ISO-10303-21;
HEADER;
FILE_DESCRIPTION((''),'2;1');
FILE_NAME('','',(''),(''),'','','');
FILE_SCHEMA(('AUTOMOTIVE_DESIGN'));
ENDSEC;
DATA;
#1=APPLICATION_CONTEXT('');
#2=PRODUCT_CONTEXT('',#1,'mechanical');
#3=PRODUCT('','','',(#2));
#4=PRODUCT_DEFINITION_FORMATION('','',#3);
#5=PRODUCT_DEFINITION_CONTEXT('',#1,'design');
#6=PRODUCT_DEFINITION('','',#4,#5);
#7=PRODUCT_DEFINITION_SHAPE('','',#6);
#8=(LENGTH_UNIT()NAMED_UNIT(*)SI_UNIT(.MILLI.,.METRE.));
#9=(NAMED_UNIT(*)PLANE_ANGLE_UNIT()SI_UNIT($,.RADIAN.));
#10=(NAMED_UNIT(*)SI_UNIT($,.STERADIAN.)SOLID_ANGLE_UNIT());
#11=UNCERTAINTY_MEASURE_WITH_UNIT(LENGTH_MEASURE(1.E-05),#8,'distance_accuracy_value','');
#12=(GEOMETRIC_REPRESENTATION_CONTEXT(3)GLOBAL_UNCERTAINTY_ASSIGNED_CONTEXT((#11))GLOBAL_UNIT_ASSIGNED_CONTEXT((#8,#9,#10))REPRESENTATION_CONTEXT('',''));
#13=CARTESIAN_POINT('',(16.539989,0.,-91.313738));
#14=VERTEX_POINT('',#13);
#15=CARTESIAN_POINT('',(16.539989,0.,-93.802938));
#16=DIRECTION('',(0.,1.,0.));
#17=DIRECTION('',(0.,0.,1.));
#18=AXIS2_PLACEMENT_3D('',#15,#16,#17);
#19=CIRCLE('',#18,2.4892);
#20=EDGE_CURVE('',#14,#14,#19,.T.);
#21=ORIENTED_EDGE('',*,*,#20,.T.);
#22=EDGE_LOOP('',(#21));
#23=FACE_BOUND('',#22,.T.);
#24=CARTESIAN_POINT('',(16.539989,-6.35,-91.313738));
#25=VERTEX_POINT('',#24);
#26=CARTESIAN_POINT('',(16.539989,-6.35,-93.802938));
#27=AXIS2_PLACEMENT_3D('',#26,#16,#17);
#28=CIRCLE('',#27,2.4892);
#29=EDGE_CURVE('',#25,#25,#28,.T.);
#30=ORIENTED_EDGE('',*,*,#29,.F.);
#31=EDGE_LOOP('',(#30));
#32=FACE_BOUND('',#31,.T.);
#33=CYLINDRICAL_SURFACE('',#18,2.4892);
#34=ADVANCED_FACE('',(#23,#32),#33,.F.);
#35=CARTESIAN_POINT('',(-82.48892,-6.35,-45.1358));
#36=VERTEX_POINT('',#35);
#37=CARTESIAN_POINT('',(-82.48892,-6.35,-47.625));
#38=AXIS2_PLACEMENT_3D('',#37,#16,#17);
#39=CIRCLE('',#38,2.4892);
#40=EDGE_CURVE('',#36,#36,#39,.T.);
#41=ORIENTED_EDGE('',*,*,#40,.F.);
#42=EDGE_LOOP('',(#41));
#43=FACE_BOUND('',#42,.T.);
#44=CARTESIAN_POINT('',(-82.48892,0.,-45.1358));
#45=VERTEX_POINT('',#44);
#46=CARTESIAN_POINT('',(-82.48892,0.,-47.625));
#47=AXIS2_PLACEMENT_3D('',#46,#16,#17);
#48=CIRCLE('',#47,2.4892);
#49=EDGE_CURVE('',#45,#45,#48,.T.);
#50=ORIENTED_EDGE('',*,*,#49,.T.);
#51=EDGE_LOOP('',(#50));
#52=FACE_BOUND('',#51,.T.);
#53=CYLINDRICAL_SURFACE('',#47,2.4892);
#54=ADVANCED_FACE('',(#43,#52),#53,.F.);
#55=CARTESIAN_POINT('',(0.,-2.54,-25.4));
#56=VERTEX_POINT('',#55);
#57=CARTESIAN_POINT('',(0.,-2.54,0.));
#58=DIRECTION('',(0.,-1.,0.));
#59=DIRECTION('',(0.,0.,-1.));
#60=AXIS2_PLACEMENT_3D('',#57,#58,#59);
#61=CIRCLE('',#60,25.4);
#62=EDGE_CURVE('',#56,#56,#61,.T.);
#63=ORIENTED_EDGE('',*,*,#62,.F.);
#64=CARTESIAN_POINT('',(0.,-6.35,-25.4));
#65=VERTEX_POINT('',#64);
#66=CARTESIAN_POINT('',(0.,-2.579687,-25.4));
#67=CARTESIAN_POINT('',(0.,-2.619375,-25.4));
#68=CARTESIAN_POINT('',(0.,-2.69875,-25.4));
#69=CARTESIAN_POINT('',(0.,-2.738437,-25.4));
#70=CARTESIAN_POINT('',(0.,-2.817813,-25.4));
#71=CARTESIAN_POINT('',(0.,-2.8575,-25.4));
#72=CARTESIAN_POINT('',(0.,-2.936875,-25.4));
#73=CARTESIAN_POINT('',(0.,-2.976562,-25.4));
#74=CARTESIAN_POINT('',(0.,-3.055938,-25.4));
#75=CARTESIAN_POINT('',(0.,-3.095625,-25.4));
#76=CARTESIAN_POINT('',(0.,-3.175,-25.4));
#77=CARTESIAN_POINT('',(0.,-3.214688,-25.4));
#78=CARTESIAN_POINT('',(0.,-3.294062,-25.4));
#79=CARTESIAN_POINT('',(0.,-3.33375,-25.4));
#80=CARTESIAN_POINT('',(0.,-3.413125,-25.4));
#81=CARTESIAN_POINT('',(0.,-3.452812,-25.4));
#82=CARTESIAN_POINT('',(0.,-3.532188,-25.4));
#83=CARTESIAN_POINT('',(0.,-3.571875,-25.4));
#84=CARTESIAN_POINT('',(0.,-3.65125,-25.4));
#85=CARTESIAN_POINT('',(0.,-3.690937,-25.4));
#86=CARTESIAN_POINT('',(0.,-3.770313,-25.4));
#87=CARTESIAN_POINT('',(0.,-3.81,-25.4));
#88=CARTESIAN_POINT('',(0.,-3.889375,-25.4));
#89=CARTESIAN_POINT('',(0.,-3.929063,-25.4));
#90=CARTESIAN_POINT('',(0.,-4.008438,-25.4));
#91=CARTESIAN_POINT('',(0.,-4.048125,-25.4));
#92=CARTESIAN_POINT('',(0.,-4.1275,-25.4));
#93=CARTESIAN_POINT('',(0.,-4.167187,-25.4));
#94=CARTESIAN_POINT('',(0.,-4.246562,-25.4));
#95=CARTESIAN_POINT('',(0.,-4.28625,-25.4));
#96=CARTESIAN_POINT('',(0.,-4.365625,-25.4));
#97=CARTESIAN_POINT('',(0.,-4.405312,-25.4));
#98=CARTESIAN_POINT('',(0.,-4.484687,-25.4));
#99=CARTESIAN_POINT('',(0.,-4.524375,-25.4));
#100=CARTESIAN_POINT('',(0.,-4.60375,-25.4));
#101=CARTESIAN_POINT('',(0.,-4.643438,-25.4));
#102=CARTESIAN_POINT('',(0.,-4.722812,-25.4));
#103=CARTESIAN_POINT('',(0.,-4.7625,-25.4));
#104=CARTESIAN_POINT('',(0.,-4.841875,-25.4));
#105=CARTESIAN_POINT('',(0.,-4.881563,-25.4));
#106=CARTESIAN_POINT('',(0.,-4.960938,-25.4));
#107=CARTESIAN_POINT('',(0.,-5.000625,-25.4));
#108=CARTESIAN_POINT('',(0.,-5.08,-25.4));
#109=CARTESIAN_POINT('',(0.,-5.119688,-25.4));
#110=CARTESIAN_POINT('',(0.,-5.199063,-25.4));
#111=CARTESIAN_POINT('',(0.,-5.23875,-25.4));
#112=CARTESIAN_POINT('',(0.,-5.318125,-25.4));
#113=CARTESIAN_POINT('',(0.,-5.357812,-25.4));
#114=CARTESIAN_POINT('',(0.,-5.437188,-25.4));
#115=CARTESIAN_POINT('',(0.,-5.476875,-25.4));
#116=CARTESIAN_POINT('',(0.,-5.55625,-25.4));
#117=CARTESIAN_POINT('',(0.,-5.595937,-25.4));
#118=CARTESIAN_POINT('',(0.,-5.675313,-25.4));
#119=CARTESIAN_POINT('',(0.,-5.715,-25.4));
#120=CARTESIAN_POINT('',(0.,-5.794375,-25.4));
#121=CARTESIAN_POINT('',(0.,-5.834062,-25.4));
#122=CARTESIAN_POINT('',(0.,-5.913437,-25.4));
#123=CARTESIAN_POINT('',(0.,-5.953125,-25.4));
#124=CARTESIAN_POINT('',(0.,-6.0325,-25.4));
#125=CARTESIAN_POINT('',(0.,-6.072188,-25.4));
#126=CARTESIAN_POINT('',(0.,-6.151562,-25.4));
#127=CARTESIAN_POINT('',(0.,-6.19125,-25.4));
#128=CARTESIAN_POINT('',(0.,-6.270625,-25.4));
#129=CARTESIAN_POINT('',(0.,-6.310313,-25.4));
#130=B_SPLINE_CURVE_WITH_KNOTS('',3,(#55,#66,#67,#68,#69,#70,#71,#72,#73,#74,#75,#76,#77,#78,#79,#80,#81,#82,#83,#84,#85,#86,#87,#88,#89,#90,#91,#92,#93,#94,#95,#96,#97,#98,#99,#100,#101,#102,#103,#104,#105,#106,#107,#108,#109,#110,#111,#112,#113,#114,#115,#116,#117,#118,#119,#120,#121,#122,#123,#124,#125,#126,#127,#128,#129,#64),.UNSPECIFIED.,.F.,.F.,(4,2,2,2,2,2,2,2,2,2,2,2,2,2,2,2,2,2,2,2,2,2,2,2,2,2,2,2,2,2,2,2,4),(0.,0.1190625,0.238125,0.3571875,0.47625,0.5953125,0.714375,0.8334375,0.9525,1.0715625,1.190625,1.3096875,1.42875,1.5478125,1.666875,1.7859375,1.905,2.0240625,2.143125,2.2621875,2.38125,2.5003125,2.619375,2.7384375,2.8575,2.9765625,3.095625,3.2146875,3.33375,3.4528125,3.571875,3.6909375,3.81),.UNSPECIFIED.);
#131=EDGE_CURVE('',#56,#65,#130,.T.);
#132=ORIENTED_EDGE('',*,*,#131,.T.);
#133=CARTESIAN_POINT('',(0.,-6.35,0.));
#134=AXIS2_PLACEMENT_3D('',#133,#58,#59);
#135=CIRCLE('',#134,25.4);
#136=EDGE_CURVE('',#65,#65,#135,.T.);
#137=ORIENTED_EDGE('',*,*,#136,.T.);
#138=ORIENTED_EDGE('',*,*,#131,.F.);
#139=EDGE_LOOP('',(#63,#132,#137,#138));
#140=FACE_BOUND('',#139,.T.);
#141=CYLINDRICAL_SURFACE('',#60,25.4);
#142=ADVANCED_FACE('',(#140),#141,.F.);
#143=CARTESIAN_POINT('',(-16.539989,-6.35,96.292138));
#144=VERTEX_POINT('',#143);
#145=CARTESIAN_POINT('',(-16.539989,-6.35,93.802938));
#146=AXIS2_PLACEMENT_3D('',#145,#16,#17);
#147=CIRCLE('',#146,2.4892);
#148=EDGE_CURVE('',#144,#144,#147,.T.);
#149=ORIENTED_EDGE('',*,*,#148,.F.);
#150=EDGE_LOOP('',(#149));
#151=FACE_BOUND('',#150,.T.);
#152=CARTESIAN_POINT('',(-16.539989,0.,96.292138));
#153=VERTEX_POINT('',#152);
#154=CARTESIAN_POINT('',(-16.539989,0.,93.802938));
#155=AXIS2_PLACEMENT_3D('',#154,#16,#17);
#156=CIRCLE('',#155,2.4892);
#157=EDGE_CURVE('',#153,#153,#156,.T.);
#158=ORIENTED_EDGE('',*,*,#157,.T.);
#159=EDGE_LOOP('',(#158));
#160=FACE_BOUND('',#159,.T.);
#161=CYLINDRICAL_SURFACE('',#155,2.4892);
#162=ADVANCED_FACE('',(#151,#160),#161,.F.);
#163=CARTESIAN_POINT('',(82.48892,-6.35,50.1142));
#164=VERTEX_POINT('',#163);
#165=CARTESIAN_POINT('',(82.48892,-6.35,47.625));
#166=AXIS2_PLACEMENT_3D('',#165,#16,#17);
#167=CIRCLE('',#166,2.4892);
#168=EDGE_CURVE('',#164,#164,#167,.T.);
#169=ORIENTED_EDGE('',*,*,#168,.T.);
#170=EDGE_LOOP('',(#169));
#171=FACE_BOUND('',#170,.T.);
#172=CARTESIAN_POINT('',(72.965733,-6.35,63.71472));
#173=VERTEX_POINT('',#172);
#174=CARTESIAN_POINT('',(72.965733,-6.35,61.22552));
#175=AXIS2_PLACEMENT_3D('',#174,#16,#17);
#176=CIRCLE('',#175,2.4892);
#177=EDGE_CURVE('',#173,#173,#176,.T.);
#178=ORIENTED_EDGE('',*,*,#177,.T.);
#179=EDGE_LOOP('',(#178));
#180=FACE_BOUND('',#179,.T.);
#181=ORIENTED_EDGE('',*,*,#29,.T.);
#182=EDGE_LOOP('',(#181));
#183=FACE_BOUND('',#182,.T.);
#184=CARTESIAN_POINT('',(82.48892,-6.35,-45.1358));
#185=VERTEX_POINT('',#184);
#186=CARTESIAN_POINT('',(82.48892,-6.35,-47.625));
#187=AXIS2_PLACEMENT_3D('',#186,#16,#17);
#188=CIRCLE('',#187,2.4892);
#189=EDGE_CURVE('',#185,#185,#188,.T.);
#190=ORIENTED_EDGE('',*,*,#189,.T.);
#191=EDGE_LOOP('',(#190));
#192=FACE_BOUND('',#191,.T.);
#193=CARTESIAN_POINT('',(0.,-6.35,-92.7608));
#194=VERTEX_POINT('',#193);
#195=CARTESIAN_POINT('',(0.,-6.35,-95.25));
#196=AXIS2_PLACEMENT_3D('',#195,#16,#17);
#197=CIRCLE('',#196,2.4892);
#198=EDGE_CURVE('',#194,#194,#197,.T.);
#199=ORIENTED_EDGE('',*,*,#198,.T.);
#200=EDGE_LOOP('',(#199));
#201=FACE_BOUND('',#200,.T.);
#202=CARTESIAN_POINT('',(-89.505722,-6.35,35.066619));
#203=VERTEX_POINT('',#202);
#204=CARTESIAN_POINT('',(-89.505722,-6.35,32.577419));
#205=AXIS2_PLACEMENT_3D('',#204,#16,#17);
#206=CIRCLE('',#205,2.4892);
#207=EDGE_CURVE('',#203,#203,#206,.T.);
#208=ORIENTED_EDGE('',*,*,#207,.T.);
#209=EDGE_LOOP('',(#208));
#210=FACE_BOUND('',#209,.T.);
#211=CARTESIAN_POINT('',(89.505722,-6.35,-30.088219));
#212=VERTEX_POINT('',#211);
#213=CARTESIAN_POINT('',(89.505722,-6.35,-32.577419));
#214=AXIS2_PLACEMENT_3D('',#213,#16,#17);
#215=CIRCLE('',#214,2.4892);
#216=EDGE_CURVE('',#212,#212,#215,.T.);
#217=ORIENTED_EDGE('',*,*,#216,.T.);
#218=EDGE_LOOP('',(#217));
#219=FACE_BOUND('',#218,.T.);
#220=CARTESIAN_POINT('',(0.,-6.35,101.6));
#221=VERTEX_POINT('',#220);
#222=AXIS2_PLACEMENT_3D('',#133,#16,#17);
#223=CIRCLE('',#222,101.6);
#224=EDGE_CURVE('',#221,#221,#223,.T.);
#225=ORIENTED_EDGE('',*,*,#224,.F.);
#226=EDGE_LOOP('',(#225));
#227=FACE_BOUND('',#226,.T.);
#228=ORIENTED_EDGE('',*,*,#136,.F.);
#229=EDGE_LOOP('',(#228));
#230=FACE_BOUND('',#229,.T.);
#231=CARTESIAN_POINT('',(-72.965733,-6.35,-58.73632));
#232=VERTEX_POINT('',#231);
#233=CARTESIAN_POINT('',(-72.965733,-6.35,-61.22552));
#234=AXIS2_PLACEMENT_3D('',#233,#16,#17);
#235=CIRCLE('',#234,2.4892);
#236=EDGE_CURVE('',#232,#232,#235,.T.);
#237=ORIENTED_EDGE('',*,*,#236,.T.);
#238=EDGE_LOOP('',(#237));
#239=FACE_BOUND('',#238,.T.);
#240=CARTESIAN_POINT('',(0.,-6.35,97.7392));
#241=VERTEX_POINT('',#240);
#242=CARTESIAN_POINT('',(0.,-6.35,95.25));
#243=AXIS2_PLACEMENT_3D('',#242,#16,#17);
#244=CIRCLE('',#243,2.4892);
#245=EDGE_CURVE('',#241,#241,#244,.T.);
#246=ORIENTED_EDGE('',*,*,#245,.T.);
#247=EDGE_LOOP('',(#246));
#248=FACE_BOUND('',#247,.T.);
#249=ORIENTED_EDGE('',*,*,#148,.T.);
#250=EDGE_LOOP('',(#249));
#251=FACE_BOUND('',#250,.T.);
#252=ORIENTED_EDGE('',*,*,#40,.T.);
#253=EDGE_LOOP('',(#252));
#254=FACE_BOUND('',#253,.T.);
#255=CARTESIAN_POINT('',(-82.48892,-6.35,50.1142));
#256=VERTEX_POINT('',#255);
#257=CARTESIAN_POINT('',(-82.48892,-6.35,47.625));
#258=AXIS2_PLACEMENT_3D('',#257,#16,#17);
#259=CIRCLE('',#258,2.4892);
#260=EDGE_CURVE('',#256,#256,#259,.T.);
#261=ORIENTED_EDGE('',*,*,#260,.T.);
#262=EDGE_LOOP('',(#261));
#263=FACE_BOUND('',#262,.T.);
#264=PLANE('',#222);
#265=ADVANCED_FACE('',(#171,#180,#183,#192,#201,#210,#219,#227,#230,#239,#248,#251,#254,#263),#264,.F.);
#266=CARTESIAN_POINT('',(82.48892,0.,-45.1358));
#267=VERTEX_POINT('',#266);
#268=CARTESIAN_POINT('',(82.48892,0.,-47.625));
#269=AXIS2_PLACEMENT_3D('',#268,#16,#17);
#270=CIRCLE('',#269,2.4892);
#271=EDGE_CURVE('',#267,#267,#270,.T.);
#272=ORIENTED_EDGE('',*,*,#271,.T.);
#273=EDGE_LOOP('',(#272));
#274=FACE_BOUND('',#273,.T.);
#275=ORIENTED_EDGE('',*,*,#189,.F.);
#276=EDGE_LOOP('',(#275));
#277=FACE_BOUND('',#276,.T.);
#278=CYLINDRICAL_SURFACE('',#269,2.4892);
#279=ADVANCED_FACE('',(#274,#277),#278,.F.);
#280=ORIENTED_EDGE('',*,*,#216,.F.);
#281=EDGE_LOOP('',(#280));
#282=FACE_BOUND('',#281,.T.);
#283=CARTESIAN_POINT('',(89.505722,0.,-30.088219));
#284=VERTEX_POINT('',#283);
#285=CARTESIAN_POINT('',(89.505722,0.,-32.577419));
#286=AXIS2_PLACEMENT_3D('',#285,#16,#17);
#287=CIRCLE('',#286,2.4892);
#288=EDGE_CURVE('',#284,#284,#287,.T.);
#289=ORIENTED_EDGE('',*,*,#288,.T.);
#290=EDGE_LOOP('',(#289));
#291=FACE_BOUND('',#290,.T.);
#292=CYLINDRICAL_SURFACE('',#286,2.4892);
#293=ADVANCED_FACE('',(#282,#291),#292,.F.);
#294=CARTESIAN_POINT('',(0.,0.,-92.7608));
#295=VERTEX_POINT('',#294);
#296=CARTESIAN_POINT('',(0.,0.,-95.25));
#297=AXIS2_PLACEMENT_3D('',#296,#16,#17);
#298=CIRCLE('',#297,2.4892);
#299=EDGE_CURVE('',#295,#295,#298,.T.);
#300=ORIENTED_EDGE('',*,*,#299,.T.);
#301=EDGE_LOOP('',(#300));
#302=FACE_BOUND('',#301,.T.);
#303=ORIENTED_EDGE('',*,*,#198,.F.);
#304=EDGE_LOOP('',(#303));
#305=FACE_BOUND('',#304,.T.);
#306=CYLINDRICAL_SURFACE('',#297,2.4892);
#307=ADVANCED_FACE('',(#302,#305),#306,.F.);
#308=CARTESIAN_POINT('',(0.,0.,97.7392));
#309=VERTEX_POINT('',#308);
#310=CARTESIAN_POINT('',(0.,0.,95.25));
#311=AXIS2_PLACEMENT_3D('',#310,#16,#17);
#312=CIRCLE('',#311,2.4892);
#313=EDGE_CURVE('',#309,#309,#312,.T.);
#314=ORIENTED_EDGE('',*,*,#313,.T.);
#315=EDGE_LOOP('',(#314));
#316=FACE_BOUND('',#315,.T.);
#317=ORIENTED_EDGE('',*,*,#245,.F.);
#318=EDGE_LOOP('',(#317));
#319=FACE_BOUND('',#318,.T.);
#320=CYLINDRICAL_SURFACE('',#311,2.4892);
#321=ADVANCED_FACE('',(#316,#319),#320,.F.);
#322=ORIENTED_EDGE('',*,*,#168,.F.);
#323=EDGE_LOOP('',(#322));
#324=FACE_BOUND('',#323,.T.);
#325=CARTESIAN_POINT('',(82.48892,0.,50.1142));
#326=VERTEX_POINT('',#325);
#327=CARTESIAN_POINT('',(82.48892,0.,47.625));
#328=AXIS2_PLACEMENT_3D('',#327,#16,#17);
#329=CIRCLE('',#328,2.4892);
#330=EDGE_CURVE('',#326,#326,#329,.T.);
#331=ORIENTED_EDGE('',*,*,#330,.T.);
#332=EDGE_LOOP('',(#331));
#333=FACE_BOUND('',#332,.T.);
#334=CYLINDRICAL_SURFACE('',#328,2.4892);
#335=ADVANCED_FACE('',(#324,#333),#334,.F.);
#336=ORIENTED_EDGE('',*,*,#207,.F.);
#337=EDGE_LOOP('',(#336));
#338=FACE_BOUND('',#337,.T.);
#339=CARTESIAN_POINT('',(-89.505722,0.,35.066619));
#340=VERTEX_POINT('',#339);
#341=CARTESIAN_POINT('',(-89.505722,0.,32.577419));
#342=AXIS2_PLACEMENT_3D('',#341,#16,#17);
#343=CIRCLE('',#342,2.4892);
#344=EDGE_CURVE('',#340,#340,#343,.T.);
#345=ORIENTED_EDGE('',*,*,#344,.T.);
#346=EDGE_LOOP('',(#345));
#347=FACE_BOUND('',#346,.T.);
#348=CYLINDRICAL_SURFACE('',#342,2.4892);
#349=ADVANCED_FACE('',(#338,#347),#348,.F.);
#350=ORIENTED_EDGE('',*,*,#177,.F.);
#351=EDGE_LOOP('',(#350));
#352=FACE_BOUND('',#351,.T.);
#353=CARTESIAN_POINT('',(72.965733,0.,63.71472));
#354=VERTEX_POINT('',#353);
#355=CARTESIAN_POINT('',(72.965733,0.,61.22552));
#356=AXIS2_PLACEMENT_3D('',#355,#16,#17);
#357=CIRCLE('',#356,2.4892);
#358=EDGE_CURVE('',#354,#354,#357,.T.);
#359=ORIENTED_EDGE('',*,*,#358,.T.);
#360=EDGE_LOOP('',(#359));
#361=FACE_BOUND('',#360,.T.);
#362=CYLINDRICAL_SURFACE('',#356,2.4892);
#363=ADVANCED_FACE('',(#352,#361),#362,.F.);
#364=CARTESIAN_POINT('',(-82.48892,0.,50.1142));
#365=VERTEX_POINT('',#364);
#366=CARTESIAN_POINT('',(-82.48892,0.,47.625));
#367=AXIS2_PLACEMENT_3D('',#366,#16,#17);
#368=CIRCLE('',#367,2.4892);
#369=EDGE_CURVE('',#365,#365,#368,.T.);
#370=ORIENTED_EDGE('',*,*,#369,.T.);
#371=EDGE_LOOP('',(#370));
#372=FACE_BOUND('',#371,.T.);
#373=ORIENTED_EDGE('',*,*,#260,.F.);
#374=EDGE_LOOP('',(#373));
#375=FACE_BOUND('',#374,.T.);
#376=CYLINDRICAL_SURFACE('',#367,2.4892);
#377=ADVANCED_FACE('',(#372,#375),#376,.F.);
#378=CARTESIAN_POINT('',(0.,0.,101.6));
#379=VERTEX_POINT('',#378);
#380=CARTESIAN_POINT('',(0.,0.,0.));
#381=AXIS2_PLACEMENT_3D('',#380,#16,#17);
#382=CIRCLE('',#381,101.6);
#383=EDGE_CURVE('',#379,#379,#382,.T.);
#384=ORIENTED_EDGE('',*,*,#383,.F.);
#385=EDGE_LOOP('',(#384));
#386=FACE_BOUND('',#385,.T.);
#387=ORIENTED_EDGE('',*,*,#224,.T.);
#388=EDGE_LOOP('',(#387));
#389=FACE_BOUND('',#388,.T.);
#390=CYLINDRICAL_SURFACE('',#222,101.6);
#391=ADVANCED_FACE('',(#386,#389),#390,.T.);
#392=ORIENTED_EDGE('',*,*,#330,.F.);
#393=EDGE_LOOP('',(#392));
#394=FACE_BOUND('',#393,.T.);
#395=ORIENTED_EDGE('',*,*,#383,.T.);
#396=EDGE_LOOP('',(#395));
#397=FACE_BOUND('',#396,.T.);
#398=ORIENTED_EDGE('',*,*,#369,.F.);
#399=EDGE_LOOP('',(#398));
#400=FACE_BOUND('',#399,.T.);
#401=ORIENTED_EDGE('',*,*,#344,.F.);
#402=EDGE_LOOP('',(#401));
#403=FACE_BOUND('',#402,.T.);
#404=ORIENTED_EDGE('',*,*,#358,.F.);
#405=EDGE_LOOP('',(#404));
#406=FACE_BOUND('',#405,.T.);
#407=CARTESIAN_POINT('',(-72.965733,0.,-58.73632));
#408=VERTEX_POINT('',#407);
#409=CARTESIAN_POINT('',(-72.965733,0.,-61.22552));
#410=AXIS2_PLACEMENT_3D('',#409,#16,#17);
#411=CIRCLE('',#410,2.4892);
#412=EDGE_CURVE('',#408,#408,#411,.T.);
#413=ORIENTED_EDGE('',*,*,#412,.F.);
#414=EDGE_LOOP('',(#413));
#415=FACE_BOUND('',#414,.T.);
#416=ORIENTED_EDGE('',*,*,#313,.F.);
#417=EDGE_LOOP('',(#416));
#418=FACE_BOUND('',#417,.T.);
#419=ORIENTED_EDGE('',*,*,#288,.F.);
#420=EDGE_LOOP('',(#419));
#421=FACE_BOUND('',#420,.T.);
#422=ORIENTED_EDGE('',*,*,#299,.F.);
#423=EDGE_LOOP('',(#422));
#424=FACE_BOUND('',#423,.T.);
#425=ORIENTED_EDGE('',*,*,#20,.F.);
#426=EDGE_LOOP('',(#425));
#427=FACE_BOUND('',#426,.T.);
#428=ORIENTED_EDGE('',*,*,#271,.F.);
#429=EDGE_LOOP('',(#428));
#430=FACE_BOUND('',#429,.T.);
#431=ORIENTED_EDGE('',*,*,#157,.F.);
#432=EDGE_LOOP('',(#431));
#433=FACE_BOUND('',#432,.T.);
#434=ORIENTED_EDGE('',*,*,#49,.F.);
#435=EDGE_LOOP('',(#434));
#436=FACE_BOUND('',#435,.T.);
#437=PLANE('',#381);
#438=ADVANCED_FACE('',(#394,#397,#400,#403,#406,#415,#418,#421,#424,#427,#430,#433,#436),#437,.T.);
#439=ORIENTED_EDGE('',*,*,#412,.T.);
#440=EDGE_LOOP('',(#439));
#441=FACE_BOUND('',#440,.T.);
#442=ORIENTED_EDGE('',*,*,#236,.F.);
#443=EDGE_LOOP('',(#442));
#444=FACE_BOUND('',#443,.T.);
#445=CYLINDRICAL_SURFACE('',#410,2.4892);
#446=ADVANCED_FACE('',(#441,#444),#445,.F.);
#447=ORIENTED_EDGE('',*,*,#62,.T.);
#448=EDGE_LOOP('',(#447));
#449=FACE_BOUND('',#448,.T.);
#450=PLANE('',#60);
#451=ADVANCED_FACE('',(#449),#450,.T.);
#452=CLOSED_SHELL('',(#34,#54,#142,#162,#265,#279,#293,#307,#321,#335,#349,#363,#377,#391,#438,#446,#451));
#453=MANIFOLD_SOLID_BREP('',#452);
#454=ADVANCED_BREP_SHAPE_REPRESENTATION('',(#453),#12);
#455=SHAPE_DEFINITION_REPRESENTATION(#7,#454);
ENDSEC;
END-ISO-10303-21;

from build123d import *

# Parameters (mm, degrees)
BACK_PLATE_MAIN_R          = 101.6
BOSS_EXTRUDE1_DEPTH        = 6.35
F_9_0_196_DIAMETER_HOLE1_D = 4.9784
CLEARANCE_CUTOUT_R         = 25.4
CUT_EXTRUDE1_DEPTH         = 3.81


with BuildPart() as part:
    # Back Plate Main → Boss-Extrude1 (new body)
    with BuildSketch(Plane(origin=(0, 0, 0), x_dir=(1, 0, 0), z_dir=(0, 1, 0))):
        with Locations(Location((0, 0, 0), (0, 0, 270))):
            Circle(BACK_PLATE_MAIN_R)
    extrude(amount=-BOSS_EXTRUDE1_DEPTH)

    # #9 (0.196) Diameter Hole1 (through all)
    with Locations(Plane(origin=(0, 0, 0), x_dir=(1, 0, 0), z_dir=(0, 1, 0))):
        with Locations((0, 95.25), (82.48891971, 47.625), (82.48891971, -47.625), (0, -95.25), (-82.48891971, -47.625), (-82.48891971, 47.625), (-72.965733207, 61.225519823), (16.539988923, 93.802938474), (89.50572213, 32.577418652), (72.965733207, -61.225519823), (-16.539988923, -93.802938474), (-89.50572213, -32.577418652)):
            Hole(F_9_0_196_DIAMETER_HOLE1_D / 2)

    # Clearance Cutout → Cut-Extrude1 (cut)
    with BuildSketch(Plane.XZ.offset(6.35)):
        with Locations(Location((0, 0, 0), (0, 0, 270))):
            Circle(CLEARANCE_CUTOUT_R)
    extrude(amount=-CUT_EXTRUDE1_DEPTH, mode=Mode.SUBTRACT)


solid = part.part
